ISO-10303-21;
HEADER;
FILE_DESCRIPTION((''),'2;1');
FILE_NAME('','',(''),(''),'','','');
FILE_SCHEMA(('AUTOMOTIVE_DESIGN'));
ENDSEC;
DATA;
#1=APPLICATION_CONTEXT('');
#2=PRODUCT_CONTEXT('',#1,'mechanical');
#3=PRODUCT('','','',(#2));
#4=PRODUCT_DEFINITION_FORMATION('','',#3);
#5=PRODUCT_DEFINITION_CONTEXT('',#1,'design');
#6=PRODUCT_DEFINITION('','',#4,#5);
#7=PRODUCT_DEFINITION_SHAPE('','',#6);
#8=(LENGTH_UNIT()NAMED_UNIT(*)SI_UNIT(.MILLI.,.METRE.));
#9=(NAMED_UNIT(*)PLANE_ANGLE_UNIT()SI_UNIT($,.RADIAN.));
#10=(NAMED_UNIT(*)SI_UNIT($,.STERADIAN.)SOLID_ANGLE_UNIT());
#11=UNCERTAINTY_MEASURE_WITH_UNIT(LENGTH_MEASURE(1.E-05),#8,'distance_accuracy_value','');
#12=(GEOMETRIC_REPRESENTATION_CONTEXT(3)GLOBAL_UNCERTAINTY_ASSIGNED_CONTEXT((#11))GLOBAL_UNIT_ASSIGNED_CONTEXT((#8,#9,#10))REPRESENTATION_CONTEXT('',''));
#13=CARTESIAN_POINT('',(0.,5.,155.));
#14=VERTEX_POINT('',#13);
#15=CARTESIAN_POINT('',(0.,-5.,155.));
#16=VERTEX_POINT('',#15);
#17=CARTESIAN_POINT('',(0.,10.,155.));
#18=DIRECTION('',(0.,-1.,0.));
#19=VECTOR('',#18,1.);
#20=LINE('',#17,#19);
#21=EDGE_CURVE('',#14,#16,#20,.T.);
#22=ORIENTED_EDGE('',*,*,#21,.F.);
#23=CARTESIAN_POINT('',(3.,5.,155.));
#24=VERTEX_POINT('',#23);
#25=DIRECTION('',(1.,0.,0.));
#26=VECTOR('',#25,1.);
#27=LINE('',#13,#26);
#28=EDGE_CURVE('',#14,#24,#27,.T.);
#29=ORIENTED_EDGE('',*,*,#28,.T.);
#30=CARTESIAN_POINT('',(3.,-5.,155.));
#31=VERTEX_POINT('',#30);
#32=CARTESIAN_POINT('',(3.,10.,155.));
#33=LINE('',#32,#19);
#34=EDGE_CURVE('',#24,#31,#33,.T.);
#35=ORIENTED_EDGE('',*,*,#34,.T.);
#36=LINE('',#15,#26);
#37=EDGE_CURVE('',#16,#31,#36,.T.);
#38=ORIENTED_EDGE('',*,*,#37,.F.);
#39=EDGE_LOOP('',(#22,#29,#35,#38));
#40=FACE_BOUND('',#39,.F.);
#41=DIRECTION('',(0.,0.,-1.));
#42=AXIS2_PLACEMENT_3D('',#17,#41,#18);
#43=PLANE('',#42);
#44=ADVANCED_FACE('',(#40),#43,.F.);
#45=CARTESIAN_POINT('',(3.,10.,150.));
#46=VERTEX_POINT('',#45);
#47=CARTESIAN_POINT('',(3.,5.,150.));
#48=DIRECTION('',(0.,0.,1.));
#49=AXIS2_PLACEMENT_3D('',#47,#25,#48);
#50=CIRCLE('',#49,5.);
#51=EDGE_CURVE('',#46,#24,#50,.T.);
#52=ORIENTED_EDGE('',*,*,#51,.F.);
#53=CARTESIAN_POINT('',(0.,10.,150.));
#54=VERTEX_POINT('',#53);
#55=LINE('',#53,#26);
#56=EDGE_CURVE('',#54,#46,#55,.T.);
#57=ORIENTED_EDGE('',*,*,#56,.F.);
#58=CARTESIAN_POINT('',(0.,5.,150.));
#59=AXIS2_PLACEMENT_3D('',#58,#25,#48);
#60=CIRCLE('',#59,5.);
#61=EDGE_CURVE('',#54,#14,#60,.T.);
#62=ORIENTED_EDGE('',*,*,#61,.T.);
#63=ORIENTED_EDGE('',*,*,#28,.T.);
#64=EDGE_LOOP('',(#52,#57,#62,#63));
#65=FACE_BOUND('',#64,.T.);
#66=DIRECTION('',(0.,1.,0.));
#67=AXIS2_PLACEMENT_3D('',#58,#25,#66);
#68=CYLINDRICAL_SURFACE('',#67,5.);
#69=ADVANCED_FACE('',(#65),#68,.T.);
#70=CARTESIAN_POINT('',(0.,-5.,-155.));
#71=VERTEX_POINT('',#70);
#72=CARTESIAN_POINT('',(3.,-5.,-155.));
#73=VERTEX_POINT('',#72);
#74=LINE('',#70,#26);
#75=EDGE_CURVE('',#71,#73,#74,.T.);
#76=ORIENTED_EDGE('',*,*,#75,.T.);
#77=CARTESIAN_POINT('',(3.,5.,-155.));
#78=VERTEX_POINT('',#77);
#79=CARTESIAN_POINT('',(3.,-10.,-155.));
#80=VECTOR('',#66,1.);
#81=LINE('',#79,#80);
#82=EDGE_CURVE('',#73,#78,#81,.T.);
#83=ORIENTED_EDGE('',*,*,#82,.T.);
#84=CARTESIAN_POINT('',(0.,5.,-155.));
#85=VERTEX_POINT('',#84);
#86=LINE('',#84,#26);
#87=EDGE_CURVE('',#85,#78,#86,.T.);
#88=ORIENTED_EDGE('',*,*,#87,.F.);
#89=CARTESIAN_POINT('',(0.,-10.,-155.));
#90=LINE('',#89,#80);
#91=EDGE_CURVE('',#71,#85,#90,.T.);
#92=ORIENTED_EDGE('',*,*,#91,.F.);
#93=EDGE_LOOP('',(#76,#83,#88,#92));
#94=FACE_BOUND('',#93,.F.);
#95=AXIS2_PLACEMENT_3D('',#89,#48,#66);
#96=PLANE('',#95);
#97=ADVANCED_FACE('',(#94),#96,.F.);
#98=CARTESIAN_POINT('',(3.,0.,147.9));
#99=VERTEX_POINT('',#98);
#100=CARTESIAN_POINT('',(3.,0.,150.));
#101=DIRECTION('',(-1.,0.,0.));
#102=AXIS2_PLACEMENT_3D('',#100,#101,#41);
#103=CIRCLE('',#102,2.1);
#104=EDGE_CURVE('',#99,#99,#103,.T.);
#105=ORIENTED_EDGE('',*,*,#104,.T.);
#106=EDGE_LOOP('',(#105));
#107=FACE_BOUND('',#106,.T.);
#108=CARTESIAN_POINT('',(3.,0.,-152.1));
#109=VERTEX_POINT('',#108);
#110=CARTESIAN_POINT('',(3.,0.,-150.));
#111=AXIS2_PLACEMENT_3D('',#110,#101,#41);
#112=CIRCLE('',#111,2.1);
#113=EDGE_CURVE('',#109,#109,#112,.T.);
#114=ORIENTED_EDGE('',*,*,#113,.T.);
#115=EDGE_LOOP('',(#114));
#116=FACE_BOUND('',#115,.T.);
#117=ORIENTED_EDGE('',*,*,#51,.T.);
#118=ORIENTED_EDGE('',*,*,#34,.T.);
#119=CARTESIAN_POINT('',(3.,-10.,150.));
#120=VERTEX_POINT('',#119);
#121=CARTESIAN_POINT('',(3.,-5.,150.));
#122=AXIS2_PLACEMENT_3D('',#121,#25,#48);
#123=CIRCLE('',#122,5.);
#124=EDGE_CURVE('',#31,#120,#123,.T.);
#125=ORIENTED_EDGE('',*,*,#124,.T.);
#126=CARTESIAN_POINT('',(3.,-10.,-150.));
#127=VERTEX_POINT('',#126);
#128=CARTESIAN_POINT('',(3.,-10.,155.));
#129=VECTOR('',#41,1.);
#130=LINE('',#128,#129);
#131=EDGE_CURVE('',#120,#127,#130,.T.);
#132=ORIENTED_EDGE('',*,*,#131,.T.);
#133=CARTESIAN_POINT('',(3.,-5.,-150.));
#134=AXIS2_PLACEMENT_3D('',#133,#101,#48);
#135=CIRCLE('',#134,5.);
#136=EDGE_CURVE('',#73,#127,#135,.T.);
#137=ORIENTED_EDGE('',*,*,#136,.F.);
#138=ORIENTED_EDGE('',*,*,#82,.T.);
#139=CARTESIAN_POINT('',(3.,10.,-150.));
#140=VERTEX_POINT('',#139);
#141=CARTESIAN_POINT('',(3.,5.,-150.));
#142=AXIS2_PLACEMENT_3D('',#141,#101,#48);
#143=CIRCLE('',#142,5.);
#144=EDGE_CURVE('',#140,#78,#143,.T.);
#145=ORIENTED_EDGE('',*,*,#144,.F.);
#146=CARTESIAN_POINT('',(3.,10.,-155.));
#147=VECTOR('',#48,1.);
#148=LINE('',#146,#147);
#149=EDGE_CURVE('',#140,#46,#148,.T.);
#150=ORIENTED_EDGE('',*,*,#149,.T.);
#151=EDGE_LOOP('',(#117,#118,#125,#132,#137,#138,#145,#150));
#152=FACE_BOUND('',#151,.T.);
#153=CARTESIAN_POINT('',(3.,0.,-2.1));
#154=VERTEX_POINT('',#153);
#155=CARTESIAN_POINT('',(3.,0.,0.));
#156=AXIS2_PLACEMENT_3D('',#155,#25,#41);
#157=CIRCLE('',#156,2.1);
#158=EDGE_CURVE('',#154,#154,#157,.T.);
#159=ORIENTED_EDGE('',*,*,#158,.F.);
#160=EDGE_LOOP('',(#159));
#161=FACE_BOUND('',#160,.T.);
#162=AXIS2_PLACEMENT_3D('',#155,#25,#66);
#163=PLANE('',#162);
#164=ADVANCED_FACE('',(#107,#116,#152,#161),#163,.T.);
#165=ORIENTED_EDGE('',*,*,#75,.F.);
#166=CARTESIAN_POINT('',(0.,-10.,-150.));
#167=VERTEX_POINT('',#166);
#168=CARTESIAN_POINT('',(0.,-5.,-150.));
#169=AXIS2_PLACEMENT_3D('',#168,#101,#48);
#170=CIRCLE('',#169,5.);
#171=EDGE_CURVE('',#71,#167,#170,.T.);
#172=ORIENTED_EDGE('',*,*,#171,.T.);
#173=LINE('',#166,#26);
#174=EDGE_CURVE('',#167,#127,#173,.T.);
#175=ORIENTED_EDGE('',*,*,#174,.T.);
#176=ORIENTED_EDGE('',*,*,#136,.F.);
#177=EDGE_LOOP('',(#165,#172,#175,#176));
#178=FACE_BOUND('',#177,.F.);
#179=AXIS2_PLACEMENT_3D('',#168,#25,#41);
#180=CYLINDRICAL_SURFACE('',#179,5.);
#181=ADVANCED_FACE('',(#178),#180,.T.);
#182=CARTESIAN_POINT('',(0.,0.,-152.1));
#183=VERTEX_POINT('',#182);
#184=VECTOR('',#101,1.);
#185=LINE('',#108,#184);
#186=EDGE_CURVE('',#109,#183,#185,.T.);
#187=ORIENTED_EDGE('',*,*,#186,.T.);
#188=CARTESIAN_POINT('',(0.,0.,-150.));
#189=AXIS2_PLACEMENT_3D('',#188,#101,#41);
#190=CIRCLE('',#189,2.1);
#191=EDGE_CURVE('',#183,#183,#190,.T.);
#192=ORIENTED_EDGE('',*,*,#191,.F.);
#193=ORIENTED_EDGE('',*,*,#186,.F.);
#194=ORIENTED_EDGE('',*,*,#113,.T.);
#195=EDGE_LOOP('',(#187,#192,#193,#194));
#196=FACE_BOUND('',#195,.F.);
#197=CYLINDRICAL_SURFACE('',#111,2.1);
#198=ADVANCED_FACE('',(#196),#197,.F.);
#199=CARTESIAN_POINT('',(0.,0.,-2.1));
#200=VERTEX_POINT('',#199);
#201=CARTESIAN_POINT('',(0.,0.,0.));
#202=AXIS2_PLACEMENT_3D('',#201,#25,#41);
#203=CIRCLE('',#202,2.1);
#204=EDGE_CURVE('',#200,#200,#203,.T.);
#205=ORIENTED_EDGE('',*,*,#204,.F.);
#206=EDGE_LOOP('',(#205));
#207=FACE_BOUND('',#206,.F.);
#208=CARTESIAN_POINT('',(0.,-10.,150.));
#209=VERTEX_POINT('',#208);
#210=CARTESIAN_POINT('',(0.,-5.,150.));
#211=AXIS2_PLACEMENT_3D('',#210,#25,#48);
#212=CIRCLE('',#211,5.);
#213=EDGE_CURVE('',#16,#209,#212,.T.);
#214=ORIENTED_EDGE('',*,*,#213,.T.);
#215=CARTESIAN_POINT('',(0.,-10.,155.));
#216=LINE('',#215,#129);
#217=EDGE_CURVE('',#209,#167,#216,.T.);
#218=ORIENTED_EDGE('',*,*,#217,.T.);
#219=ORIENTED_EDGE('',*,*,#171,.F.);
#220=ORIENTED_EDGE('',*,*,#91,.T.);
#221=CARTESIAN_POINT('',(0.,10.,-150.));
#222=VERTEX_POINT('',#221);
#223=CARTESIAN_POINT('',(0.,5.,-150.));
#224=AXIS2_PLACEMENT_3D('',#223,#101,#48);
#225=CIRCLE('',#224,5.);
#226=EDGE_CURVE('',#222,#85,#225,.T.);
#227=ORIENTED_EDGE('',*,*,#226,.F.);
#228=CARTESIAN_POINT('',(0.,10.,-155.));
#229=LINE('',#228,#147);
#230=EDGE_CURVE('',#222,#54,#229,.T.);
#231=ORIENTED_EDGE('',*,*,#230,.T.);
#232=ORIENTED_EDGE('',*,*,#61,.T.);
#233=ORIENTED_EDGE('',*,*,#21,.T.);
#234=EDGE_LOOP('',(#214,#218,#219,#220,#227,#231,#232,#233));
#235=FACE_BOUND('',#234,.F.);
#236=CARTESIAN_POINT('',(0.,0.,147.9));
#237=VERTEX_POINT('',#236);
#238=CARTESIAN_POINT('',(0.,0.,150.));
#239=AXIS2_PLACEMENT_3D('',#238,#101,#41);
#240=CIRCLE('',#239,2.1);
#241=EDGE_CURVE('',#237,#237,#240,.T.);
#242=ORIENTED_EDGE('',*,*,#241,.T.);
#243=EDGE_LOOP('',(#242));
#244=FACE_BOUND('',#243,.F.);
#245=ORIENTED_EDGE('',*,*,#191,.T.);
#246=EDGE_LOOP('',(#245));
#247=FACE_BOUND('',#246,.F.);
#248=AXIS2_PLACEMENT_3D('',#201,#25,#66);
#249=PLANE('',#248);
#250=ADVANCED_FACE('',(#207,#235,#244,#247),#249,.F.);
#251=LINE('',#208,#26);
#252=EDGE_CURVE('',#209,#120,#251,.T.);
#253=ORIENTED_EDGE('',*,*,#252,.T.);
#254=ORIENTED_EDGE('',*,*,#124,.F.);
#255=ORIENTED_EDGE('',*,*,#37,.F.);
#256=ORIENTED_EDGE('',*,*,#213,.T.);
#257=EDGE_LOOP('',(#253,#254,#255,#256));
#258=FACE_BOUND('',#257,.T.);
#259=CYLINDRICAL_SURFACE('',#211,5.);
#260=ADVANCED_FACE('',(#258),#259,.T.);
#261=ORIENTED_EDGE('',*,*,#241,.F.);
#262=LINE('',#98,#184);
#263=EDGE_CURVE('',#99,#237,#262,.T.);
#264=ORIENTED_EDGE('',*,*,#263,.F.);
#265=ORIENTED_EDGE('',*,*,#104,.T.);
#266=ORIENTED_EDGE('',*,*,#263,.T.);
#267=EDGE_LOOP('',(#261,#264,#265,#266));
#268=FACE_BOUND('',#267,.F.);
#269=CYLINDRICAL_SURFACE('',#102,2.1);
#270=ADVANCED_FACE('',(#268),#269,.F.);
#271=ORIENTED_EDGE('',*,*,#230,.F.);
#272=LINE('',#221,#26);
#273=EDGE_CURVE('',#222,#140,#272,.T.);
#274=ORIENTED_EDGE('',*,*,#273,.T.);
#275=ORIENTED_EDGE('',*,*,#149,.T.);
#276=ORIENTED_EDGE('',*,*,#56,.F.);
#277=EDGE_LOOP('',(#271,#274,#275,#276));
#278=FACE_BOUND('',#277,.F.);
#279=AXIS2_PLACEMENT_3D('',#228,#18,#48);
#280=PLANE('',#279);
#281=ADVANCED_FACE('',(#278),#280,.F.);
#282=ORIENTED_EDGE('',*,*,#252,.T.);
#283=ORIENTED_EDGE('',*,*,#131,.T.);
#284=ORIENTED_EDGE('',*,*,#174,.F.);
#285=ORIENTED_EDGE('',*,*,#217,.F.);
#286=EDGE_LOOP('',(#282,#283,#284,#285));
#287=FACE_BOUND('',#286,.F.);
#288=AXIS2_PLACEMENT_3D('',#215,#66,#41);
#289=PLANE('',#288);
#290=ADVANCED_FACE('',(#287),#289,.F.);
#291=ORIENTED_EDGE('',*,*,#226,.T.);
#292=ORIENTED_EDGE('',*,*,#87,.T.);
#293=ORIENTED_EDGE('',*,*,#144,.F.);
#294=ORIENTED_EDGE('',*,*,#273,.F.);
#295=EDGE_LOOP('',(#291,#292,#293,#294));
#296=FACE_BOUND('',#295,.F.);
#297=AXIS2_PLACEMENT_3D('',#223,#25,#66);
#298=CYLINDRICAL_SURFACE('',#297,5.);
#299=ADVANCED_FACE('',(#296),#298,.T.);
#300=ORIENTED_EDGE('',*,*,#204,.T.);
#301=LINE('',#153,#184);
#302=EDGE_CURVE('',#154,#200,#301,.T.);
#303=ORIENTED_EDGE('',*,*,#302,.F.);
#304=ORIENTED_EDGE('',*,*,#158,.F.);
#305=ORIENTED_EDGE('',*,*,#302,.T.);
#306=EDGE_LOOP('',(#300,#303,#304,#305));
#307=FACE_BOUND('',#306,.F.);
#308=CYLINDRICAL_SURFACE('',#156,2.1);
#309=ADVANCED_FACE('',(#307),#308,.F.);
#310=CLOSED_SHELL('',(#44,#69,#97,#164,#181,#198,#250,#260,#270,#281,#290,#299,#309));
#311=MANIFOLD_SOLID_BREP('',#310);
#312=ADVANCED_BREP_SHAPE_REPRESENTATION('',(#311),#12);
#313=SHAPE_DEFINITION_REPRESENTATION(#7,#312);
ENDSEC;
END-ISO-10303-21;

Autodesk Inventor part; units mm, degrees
ref_plane "YZ Plane" through (0, 0, 0) normal (1, 0, 0) x (0, 1, 0)
ref_plane "XZ Plane" through (0, 0, 0) normal (0, 1, 0) x (-1, 0, 0)
ref_plane "XY Plane" through (0, 0, 0) normal (0, 0, 1) x (1, 0, 0)
sketch "스케치1" plane through (0, 0, 0) normal (1, 0, 0) x (0, 1, 0)
  line L0 (10, 155) -> (-10, 155)
  line L1 (-10, 155) -> (-10, -155)
  line L2 (-10, -155) -> (10, -155)
  line L3 (10, -155) -> (10, 155)
  point P0 (0, 0)
  dimension "d0" = 20
  dimension "d1" = 310
  dimension "d2" = 155
  dimension "d3" = 10
extrude "돌출1" add sketch "스케치1" along normal blind 3
sketch "스케치2" plane through (3, 0, 0) normal (1, 0, 0) x (0, 0, -1)
  line L0 (155, -10) -> (155, 10) construction
  line L1 (-155, -10) -> (155, -10) construction
  line L2 (155, 10) -> (-155, 10) construction
  line L3 (-155, 10) -> (-155, -10) construction
  line L4 (-155, -10) -> (155, -10) construction
  line L5 (155, -10) -> (155, 10) construction
  circle A0 centre (-150, 0) radius 10
  line L6 (0, 30.1702) -> (0, -32.7661) construction
  circle A1 centre (150, 0) radius 10
  dimension "d6" = 5
  dimension "d7" = 10
  dimension "d8" = 5
  dimension "d9" = 10
hole "구멍1" at (3, 0, -150) at (3, 0, 150) direction (-1, 0, 0) diameter 4.2 end through all
fillet "모깎기1" radius 5 4 edges at (1.5, 10, 155) (1.5, -10, 155) (1.5, -10, -155) (1.5, 10, -155)
sketch "스케치3" plane through (3, 0, 0) normal (1, 0, 0) x (0, 0, -1)
  circle A0 centre (0, 0) radius 2.1
  dimension "d18" = 4.2
extrude "돌출2" cut sketch "스케치3" against normal through all
equation "\"d2\" = 0.5 * d1"
equation "\"d3\" = 0.5 * d0"
properties part number "x바" material "PMMA 플라스틱"
